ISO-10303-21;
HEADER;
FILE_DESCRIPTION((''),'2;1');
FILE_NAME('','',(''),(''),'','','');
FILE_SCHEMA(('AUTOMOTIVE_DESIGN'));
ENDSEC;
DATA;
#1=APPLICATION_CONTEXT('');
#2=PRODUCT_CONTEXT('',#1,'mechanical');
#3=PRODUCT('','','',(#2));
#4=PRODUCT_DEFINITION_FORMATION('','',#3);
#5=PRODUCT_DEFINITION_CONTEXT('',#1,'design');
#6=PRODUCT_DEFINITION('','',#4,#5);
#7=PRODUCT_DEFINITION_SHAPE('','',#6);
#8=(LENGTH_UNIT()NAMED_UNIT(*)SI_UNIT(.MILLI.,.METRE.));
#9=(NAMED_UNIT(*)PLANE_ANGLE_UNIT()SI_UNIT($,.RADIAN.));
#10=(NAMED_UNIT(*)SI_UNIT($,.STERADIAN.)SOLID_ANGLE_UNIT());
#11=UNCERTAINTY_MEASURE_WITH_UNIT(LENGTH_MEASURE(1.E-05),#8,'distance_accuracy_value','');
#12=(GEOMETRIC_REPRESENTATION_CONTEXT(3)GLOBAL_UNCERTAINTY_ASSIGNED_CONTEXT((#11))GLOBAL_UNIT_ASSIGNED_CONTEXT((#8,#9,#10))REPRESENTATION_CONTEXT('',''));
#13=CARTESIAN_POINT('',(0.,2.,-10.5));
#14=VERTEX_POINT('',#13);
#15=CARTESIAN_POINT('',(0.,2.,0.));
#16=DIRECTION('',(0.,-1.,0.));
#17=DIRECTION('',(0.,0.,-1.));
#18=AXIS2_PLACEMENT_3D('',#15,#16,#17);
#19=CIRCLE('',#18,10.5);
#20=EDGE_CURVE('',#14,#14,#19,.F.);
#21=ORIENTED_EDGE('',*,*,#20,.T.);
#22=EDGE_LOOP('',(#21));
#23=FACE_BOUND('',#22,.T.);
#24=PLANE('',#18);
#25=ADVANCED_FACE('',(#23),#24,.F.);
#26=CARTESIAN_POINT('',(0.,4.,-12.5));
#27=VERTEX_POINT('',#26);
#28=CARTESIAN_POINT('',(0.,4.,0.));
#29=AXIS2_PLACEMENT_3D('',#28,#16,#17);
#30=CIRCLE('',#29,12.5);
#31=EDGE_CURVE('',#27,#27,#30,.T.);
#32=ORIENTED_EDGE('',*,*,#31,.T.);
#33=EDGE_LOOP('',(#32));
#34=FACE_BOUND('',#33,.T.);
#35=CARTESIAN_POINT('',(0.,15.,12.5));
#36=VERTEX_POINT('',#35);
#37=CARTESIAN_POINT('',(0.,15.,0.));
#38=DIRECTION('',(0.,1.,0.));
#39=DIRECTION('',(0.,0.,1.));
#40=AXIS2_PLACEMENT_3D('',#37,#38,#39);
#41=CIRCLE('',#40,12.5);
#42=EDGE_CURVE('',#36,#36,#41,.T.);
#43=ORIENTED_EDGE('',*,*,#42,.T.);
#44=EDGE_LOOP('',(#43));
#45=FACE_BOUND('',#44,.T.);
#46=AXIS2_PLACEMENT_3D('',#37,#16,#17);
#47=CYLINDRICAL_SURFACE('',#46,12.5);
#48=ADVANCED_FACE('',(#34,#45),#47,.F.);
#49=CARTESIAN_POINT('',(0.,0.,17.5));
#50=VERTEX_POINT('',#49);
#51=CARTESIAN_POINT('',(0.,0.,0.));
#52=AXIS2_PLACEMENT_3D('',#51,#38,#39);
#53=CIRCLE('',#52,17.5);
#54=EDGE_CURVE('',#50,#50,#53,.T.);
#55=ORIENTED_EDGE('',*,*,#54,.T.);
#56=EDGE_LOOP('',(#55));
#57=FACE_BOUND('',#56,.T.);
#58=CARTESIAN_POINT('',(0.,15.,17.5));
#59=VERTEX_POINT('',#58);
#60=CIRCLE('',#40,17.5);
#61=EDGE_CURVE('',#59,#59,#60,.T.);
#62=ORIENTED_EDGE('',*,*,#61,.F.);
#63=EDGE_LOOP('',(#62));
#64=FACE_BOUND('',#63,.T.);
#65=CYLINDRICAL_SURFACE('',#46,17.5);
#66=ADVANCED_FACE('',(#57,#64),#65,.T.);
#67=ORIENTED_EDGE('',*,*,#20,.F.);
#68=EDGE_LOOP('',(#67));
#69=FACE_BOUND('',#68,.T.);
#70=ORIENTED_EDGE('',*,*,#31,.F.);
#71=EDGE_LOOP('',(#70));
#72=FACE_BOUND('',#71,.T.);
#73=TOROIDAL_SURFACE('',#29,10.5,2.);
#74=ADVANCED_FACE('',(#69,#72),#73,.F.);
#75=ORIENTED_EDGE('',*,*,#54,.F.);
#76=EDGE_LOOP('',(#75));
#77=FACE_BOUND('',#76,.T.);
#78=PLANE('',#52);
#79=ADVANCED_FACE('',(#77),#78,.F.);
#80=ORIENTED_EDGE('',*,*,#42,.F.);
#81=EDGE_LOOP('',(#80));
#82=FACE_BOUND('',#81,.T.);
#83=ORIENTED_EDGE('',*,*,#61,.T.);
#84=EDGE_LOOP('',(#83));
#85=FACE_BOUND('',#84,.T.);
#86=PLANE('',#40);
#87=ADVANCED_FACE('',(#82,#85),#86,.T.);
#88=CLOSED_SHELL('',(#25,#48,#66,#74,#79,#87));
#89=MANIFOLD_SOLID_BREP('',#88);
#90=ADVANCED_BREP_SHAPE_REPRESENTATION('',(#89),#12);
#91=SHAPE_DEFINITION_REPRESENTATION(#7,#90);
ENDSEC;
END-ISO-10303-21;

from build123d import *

# Parameters (mm, degrees)
SKETCH1_R           = 17.5
SKETCH1_R_2         = 12.5
BOSS_EXTRUDE1_DEPTH = 15
SKETCH2_R           = 12.5
BOSS_EXTRUDE2_DEPTH = 2
FILLET1_R           = 2


with BuildPart() as part:
    # Sketch1 → Boss-Extrude1 (new body)
    with BuildSketch(Plane(origin=(0, 0, 0), x_dir=(1, 0, 0), z_dir=(0, 1, 0))):
        with Locations(Location((0, 0, 0), (0, 0, 270))):
            Circle(SKETCH1_R)
        with Locations(Location((0, 0, 0), (0, 0, 270))):
            Circle(SKETCH1_R_2, mode=Mode.SUBTRACT)
    extrude(amount=BOSS_EXTRUDE1_DEPTH)

    # Sketch2 → Boss-Extrude2 (add)
    with BuildSketch(Plane.XZ):
        with Locations(Location((0, 0, 0), (0, 0, 270))):
            Circle(SKETCH2_R)
    extrude(amount=-BOSS_EXTRUDE2_DEPTH)

    # Fillet1
    fillet1_edges = [part.edges().sort_by_distance(p)[0] for p in [
        (0, 2, -12.5),
    ]]
    fillet(fillet1_edges, radius=FILLET1_R)


solid = part.part
